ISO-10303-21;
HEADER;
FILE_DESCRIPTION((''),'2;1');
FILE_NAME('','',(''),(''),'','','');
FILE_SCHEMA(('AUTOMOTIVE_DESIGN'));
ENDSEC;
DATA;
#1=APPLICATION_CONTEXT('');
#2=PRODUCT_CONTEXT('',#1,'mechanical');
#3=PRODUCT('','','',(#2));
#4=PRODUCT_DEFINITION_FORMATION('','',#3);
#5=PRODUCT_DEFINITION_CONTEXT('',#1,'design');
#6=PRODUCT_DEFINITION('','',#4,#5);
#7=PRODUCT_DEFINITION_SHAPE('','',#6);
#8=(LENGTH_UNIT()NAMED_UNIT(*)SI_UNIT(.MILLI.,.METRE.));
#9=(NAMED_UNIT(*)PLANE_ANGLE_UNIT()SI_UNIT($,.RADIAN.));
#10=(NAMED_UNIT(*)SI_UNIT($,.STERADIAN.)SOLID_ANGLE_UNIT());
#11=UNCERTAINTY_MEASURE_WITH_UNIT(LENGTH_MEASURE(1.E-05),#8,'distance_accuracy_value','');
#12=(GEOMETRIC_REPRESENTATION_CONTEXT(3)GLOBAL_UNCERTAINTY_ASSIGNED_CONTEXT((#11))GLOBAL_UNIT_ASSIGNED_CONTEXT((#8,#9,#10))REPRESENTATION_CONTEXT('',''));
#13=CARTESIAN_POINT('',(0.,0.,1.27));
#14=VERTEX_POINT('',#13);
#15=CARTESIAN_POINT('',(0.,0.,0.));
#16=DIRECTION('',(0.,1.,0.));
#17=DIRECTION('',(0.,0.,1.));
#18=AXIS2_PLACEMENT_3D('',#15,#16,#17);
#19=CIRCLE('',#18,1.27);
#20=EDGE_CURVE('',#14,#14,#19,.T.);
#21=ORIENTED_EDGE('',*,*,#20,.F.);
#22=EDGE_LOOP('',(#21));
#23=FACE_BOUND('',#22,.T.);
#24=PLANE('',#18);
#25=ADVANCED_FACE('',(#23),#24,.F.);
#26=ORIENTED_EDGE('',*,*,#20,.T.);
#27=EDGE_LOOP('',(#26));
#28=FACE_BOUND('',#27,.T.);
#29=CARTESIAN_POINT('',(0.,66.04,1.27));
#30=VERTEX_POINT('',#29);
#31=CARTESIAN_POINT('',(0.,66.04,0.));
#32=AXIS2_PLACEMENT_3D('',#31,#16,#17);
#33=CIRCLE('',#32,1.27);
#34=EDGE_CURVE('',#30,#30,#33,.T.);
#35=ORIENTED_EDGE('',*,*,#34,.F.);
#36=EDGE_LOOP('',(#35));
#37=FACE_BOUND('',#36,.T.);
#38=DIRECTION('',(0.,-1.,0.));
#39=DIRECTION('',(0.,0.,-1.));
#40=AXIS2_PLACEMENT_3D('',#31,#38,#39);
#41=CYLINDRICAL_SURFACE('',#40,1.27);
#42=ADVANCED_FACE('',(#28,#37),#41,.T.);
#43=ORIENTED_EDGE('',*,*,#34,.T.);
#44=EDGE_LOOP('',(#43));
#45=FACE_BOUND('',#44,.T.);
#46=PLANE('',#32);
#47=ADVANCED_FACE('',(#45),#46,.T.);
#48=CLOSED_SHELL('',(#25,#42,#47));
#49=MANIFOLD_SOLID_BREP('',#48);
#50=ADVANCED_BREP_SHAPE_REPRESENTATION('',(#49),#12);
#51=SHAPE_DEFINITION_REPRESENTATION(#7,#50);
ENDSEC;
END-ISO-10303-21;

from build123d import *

# Parameters (mm, degrees)
SKETCH8_R           = 1.27
BOSS_EXTRUDE2_DEPTH = 66.04


with BuildPart() as part:
    # Sketch8 → Boss-Extrude2 (new body)
    with BuildSketch(Plane(origin=(0, 0, 0), x_dir=(1, 0, 0), z_dir=(0, 1, 0))):
        with Locations(Location((0, 0, 0), (0, 0, 270))):
            Circle(SKETCH8_R)
    extrude(amount=BOSS_EXTRUDE2_DEPTH)


solid = part.part
